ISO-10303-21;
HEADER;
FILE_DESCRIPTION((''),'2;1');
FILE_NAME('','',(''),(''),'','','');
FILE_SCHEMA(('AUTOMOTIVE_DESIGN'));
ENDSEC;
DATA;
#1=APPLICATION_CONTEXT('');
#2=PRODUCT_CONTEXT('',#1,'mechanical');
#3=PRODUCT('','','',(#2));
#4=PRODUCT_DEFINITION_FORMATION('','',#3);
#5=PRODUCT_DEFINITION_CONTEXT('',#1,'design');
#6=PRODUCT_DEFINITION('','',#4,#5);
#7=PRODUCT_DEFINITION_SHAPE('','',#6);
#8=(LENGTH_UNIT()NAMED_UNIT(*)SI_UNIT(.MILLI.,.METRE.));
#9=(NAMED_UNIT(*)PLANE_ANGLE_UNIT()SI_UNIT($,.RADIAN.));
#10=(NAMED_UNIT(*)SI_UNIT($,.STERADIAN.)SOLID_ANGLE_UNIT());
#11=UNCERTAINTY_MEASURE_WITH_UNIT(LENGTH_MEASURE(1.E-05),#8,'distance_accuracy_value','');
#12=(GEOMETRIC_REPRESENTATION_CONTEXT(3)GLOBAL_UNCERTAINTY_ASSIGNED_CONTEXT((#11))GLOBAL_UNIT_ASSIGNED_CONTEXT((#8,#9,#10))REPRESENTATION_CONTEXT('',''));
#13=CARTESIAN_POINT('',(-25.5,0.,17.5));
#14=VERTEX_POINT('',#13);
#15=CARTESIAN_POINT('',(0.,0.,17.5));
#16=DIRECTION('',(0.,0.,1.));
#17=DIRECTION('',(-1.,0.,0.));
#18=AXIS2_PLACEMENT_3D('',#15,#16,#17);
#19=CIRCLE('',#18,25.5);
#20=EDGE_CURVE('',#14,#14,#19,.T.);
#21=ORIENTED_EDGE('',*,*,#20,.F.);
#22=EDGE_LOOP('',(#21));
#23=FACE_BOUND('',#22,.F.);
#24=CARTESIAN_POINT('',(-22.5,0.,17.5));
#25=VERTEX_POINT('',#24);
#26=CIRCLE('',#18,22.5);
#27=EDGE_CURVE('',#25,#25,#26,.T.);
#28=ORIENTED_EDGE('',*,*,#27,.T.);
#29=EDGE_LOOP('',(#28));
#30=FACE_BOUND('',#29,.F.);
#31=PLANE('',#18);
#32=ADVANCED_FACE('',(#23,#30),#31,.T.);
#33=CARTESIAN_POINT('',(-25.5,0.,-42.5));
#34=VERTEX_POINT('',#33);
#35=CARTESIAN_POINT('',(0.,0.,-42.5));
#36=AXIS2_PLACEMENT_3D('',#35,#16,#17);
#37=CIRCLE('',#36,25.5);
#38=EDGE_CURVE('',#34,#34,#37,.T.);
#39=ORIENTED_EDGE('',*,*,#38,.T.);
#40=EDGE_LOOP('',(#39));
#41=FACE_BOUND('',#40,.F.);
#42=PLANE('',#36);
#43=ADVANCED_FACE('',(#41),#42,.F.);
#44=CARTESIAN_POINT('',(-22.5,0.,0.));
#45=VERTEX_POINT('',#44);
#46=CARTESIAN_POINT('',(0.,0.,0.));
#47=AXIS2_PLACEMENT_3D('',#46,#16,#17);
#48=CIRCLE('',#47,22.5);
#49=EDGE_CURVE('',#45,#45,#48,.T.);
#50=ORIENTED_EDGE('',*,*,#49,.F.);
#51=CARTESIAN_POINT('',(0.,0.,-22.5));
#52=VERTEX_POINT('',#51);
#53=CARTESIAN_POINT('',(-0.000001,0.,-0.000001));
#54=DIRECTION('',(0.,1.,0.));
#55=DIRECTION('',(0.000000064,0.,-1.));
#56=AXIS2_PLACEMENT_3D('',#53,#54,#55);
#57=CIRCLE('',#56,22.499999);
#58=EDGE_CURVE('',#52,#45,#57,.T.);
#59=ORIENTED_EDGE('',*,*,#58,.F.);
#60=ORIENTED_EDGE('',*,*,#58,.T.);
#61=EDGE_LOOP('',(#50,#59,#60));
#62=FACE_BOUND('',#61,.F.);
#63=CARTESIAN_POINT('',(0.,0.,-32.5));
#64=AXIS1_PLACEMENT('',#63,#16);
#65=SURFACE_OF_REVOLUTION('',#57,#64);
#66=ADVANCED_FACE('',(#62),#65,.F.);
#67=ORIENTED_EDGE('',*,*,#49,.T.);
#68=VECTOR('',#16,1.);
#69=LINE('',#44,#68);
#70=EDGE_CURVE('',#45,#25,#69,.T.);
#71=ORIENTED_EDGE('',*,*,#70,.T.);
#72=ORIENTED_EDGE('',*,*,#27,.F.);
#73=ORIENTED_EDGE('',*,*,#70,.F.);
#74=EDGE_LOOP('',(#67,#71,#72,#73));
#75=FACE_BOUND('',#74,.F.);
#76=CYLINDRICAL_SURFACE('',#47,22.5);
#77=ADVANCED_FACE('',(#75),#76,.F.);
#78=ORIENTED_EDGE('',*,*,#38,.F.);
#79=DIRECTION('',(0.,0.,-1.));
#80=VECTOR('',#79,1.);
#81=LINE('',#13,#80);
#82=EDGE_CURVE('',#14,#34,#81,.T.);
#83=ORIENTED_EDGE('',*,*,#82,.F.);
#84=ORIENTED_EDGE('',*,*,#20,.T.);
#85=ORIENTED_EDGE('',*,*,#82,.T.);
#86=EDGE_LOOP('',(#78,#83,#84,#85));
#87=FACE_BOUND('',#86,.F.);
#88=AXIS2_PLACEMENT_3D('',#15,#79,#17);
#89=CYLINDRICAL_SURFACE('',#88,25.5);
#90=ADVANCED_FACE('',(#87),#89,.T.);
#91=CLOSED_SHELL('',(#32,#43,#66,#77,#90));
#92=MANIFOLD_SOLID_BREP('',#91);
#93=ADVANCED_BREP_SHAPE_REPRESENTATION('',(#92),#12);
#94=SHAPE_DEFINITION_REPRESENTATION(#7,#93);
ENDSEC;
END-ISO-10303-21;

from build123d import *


with BuildPart() as f1:
    # F0 (on Front) → F1 (revolve)
    with BuildSketch(Plane.XZ):
        with BuildLine():
            ThreePointArc((0, -22.5), (-15.909903, -15.909903), (-22.5, 0))
            Line((-22.5, 0), (-22.5, 17.5))
            Line((-22.5, 17.5), (-25.5, 17.5))
            Line((-25.5, 17.5), (-25.5, -42.5))
            Line((-25.5, -42.5), (0, -42.5))
            Line((0, -42.5), (0, -22.5))
        make_face()
    revolve(axis=Axis((0, 0, -32.5), (0, 0, 1)))


solid = f1.part
